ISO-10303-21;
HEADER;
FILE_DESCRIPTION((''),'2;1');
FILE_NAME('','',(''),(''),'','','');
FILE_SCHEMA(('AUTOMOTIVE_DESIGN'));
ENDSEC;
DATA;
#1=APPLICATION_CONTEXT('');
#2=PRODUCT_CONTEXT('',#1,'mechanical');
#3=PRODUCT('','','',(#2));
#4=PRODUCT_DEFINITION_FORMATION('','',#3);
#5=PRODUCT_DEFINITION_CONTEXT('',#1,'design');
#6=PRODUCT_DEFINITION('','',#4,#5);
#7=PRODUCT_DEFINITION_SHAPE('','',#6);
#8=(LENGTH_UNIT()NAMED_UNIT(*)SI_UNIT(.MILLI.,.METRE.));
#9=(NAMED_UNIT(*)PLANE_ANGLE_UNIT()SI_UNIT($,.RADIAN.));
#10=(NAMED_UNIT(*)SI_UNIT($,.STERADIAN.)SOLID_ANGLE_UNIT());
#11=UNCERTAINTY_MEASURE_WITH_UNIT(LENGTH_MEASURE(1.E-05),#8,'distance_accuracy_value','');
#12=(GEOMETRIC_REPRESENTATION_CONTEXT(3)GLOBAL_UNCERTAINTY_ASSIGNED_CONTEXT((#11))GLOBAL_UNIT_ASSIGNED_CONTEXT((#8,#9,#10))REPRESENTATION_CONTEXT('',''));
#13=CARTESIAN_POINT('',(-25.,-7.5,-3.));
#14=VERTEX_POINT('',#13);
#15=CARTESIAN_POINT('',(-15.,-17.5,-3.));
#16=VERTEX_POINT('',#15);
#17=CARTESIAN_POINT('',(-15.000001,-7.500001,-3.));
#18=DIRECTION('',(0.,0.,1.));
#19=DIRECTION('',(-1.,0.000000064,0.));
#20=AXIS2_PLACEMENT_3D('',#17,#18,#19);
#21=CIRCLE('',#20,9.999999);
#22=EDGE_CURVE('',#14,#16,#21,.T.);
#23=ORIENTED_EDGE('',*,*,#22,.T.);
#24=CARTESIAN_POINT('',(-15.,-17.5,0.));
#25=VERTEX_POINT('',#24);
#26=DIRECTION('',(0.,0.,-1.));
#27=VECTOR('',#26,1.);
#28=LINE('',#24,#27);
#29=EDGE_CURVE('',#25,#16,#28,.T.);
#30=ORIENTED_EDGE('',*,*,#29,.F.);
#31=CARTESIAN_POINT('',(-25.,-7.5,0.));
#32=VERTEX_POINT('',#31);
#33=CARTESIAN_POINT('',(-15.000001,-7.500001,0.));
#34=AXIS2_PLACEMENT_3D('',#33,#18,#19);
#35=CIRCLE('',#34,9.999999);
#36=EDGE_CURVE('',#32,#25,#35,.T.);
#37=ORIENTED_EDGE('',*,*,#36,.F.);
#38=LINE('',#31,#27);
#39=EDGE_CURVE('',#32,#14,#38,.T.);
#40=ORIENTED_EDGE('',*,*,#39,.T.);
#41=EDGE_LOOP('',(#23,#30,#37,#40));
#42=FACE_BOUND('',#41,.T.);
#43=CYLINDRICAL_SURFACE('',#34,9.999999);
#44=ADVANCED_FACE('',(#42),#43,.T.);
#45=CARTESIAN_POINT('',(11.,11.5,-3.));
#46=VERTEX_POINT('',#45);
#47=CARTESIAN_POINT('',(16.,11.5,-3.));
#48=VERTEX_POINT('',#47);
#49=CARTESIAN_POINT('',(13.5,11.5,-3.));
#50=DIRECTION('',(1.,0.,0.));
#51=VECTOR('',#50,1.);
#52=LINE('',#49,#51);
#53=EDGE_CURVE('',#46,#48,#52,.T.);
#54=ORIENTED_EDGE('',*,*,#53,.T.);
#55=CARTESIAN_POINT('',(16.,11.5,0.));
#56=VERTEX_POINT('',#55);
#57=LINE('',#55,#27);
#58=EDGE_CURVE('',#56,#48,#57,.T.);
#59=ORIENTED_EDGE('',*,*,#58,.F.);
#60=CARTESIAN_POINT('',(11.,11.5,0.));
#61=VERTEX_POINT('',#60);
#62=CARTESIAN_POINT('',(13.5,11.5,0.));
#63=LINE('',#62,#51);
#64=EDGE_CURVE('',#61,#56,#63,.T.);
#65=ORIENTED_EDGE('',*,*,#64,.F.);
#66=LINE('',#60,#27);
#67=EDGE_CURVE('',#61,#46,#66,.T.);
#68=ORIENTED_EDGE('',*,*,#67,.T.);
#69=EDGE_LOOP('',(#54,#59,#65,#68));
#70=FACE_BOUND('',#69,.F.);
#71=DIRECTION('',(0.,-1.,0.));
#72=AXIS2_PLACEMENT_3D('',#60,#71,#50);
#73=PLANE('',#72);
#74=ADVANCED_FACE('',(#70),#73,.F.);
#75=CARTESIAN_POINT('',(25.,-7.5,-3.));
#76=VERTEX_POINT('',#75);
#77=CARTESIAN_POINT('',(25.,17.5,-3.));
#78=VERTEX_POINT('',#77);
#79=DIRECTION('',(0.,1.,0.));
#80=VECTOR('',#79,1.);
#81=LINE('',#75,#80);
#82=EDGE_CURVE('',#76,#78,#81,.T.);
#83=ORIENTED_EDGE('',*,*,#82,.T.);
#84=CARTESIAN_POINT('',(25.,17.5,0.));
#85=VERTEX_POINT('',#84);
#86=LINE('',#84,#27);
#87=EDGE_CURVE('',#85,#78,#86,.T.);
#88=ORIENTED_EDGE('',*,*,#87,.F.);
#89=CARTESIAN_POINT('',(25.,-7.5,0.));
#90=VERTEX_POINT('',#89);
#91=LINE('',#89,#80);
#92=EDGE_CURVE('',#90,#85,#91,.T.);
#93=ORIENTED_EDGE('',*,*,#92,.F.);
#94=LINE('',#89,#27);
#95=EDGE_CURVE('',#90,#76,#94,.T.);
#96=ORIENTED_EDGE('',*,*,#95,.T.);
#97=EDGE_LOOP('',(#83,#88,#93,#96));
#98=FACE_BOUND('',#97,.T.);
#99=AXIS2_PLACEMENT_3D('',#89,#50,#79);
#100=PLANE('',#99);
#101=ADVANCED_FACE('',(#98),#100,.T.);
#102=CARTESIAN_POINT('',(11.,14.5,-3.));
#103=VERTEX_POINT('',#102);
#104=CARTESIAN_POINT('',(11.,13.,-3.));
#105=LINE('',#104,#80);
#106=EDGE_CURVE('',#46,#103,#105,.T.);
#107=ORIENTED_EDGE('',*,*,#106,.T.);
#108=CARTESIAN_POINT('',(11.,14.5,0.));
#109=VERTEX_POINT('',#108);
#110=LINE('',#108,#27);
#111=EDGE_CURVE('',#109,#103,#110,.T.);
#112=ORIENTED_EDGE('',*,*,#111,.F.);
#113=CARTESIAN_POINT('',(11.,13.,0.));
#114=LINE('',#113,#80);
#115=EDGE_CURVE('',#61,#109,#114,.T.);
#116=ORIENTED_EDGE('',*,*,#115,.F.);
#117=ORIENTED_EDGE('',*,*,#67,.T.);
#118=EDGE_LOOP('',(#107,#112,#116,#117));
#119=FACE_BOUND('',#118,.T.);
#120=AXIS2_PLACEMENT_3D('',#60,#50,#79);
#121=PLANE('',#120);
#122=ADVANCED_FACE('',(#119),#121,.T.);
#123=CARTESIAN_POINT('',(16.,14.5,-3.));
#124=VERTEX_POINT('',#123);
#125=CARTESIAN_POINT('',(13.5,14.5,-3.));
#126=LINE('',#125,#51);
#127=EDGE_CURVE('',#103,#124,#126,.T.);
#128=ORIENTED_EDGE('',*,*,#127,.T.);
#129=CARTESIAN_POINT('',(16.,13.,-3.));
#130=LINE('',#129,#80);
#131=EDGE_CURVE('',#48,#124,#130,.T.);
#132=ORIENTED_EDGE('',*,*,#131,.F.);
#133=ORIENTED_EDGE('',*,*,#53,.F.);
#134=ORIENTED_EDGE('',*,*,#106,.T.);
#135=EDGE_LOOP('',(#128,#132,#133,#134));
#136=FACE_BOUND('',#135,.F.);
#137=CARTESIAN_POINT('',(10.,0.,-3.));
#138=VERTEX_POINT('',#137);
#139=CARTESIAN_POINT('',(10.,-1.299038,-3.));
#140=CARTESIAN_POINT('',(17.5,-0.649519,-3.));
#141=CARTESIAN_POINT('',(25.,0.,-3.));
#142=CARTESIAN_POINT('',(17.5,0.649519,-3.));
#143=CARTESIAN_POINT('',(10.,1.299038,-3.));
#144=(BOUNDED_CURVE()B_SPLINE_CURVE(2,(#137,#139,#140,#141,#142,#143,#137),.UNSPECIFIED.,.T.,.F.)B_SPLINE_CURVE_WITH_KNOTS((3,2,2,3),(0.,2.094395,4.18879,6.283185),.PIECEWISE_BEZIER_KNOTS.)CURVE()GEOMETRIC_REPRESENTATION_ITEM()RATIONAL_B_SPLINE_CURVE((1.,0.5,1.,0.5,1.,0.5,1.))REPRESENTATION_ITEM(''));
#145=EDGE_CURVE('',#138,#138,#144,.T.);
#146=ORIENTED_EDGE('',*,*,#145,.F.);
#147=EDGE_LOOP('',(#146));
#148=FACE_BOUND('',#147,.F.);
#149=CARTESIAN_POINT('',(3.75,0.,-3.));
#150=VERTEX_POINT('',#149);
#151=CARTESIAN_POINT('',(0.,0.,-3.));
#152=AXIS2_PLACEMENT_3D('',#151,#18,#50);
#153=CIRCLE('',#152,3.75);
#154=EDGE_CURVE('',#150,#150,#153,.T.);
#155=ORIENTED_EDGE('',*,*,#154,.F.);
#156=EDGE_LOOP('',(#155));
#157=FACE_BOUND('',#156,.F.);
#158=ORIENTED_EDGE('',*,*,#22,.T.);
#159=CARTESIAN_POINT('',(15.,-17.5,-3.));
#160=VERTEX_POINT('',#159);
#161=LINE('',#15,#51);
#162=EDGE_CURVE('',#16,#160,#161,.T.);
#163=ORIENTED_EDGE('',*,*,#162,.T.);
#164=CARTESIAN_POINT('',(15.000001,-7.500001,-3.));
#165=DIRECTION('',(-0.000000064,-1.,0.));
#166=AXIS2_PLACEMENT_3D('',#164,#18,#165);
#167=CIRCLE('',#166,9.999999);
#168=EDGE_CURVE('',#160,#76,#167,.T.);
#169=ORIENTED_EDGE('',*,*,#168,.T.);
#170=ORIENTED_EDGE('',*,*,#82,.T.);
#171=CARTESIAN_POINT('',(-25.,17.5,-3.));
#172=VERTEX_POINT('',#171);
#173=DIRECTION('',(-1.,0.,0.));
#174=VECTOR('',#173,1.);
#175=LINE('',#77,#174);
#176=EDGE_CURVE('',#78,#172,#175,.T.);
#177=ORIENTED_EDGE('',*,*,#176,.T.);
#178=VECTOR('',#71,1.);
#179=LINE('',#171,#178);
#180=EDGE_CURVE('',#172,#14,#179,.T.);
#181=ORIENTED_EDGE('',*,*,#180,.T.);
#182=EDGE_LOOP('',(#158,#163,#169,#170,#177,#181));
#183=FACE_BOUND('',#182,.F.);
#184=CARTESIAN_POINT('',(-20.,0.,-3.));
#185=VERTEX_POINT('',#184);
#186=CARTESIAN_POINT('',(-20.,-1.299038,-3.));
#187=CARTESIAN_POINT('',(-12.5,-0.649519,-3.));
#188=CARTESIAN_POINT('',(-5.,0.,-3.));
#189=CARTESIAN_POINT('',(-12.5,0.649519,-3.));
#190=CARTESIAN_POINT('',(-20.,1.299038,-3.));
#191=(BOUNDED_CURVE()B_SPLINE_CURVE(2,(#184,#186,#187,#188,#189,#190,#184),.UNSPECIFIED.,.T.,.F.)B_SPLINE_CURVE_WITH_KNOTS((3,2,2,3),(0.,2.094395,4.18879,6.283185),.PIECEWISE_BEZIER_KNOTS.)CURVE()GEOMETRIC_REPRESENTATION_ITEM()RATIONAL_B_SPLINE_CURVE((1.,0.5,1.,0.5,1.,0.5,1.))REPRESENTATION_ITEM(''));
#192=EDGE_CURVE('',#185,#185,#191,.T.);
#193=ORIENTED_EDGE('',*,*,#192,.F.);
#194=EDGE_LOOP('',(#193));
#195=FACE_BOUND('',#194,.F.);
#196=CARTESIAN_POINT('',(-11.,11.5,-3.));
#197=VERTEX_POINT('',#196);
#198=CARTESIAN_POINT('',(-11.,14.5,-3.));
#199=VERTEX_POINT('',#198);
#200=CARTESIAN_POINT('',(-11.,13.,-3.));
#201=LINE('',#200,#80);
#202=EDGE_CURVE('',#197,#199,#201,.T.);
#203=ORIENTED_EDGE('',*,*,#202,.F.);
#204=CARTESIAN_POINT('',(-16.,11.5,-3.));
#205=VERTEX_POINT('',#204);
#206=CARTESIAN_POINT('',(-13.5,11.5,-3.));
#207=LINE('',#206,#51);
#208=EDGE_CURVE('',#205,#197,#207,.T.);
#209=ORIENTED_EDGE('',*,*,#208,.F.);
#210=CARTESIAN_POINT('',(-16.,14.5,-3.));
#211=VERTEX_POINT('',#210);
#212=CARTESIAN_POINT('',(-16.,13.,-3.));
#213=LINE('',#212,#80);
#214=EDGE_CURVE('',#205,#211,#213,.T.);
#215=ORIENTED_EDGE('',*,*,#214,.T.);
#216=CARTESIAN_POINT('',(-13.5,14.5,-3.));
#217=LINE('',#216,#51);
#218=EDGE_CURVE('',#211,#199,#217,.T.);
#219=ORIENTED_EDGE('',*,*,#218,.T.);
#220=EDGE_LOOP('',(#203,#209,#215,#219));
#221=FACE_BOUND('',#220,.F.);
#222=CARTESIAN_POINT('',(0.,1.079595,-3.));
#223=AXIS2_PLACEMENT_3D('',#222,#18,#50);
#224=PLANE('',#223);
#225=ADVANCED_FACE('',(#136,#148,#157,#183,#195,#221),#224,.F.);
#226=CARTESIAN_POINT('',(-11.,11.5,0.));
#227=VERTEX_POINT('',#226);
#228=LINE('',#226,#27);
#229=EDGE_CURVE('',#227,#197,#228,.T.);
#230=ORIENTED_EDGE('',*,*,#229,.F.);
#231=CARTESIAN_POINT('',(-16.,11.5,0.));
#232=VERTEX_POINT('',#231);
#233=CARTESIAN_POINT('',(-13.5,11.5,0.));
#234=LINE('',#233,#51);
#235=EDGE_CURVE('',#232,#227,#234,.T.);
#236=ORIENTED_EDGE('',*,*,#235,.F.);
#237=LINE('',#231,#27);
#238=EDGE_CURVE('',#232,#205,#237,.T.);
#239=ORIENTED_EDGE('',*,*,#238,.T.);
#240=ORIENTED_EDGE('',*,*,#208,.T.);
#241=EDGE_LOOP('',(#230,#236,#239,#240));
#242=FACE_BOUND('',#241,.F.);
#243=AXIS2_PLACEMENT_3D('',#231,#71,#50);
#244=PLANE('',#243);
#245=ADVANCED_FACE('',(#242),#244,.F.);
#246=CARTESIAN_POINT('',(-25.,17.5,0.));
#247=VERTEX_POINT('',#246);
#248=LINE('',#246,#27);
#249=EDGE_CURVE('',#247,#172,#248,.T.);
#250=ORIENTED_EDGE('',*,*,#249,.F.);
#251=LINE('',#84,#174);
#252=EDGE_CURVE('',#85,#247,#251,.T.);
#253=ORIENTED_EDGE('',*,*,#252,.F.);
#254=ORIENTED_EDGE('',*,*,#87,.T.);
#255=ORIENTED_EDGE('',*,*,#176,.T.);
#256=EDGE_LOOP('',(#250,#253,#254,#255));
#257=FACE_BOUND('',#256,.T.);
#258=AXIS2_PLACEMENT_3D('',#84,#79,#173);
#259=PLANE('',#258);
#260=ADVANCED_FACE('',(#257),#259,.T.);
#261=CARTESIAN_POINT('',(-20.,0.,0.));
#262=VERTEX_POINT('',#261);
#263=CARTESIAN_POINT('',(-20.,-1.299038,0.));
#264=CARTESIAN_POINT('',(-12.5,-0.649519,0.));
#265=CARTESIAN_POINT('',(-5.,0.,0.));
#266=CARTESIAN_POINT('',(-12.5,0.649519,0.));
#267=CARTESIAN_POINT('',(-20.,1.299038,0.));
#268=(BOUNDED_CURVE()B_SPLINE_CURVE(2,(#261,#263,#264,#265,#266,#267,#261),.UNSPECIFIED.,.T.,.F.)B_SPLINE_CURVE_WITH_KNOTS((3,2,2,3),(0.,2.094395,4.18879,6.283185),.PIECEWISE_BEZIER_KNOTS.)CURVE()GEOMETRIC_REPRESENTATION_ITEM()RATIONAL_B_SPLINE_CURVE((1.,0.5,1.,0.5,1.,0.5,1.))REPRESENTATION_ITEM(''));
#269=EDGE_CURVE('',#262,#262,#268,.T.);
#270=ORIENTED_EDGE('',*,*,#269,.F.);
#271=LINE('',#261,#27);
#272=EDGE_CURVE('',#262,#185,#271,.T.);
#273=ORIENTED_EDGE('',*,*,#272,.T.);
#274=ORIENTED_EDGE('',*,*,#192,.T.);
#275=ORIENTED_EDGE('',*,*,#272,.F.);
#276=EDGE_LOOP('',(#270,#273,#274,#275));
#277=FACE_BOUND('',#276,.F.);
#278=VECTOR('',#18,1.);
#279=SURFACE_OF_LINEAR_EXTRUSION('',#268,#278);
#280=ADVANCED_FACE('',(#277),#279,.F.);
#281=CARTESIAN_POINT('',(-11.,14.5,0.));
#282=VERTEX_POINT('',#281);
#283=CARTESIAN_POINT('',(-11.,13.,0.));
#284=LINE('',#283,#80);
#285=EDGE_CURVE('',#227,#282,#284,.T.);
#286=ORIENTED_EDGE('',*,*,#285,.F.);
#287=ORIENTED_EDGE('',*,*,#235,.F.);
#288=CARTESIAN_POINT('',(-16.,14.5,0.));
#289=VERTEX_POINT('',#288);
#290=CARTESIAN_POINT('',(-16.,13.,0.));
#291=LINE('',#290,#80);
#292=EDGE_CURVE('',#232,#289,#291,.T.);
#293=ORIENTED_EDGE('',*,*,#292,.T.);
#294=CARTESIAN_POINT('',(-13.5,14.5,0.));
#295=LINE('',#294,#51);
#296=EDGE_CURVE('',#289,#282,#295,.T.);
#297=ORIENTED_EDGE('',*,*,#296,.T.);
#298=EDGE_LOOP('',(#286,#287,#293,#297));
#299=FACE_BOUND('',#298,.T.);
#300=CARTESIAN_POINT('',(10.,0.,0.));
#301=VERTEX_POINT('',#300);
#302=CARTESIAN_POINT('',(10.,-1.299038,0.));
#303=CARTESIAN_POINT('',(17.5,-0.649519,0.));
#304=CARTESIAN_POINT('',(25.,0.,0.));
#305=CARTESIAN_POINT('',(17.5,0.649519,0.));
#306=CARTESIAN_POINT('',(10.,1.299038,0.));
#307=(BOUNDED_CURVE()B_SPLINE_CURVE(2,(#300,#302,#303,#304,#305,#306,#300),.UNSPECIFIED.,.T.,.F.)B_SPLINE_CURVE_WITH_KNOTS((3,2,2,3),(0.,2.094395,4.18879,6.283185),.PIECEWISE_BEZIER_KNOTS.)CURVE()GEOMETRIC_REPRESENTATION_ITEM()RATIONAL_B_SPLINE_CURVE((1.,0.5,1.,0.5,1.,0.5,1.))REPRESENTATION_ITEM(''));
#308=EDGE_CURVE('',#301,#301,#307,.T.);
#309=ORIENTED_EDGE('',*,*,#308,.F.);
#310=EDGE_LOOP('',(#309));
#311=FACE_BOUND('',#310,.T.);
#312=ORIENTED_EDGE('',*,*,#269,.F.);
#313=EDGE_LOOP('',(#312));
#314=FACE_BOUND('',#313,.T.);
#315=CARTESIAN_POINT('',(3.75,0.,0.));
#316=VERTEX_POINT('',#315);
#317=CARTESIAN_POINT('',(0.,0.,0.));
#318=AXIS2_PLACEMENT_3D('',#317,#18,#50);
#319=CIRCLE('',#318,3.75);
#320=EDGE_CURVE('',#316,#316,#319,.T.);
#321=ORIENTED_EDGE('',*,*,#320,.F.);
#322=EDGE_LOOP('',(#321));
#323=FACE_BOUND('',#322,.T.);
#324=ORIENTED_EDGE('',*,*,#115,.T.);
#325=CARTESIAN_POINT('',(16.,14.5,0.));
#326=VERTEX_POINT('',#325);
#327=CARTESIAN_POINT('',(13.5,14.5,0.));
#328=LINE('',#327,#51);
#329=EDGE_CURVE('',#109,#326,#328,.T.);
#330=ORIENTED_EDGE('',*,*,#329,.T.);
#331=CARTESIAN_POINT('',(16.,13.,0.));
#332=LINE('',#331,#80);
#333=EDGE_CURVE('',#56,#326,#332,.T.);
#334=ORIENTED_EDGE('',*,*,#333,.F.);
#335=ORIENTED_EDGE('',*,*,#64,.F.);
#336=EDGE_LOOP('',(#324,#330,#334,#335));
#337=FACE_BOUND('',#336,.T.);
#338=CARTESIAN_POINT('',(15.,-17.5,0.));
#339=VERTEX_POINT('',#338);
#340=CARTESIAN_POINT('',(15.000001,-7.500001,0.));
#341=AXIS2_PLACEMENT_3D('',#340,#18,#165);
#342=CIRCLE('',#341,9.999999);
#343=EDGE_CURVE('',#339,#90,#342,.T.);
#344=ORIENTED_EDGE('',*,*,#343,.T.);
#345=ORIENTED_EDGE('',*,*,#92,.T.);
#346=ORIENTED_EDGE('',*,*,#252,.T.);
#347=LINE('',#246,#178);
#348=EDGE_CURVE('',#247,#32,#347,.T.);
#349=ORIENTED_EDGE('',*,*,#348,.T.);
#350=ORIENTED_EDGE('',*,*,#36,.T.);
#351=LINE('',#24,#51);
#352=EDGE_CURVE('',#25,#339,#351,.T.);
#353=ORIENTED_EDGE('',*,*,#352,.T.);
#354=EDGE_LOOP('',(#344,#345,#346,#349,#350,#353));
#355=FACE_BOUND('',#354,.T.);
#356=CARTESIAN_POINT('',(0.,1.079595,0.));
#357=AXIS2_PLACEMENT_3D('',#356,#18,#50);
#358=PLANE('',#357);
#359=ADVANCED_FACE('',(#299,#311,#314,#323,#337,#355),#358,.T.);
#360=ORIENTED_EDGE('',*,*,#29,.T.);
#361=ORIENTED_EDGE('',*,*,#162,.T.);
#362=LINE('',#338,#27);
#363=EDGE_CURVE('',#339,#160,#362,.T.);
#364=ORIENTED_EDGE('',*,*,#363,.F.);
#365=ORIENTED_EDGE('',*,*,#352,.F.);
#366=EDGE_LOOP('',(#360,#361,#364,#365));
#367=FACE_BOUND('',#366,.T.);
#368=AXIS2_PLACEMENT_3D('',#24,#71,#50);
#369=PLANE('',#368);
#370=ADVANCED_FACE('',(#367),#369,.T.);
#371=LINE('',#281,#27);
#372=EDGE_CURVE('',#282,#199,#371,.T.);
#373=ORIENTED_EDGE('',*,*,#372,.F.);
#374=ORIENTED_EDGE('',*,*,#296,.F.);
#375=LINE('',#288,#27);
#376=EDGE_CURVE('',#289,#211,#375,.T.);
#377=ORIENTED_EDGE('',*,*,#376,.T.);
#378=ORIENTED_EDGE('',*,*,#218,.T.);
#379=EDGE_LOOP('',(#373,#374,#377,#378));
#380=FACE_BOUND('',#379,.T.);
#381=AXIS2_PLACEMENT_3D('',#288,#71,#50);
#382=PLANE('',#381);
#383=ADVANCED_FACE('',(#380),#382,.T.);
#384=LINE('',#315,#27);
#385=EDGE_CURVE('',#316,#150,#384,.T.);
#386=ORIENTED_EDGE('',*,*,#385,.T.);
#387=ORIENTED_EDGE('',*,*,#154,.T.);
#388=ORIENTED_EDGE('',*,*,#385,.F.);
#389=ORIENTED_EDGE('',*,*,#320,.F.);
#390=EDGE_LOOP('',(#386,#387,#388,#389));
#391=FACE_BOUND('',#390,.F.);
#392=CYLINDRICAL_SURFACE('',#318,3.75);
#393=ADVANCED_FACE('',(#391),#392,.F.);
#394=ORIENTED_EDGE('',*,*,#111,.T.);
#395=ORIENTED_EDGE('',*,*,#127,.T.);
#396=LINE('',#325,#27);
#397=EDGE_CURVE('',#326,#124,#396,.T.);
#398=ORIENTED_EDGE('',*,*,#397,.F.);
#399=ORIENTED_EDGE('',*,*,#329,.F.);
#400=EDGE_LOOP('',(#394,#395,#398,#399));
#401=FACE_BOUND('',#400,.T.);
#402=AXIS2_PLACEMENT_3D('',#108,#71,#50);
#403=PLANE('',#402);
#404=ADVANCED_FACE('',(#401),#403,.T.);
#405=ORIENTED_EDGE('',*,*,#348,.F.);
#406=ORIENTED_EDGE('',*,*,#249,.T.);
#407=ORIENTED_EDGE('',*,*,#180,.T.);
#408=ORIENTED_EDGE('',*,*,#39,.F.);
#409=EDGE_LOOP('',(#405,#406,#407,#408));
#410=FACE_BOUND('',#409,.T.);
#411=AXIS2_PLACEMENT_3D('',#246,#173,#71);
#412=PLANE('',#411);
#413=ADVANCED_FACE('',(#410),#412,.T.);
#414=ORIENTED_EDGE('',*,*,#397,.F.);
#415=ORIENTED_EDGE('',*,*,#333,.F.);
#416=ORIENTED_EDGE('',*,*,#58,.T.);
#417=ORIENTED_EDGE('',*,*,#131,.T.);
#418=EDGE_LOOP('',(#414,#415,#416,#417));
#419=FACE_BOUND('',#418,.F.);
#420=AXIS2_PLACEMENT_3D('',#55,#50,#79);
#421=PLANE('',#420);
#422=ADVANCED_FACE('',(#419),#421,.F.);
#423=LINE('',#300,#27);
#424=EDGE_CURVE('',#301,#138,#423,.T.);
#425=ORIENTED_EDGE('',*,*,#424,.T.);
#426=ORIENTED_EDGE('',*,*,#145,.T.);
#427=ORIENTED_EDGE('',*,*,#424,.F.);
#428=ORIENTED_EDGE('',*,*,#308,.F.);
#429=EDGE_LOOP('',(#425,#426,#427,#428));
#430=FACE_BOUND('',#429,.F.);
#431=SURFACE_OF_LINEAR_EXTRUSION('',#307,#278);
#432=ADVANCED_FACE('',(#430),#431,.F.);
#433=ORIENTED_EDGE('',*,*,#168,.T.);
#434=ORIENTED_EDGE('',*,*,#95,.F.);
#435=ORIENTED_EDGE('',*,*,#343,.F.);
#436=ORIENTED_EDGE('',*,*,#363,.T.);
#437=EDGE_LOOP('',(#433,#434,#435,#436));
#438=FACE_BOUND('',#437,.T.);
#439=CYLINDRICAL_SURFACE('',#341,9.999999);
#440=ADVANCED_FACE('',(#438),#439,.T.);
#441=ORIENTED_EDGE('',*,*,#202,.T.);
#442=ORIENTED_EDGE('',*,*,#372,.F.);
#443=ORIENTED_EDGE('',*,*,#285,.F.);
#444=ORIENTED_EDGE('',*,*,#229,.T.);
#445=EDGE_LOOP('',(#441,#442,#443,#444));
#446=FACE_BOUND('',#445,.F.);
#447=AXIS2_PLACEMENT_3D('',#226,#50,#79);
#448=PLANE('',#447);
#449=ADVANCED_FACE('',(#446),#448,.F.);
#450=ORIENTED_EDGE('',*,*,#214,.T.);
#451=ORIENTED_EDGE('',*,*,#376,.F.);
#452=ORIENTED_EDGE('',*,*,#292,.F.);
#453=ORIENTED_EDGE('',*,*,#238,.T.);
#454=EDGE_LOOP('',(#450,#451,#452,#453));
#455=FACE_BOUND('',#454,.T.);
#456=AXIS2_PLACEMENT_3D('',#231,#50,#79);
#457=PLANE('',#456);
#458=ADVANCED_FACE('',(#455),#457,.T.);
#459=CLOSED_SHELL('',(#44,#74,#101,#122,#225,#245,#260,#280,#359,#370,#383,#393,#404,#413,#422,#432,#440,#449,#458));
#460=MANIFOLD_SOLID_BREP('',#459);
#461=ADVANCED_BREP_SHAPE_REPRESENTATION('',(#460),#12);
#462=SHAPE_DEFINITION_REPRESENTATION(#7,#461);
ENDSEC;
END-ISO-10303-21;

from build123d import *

# Parameters (mm, degrees)
F0_W     = 5
F0_H     = 3
F0_R     = 3.75
F1_DEPTH = 3


with BuildPart() as f1:
    # F0 (on Top) → F1 (new body)
    with BuildSketch(Plane.XY):
        with BuildLine():
            Line((25, 17.5), (-25, 17.5))
            Line((-25, 17.5), (-25, -7.5))
            ThreePointArc((-25, -7.5), (-22.071068, -14.571068), (-15, -17.5))
            Line((-15, -17.5), (15, -17.5))
            ThreePointArc((15, -17.5), (22.071068, -14.571068), (25, -7.5))
            Line((25, -7.5), (25, 17.5))
        make_face()
        with BuildLine():
            add(Edge.make_bspline(
                [(-20, 0), (-20, -1.299038), (-12.5, -0.649519), (-5, 0), (-12.5, 0.649519), (-20, 1.299038), (-20, 0)],
                knots=[0, 0, 0, 2.094395, 2.094395, 4.18879, 4.18879, 6.283185, 6.283185, 6.283185], degree=2, weights=[1, 0.5, 1, 0.5, 1, 0.5, 1]))
        make_face(mode=Mode.SUBTRACT)
        with Locations((-13.5, 13)):
            Rectangle(F0_W, F0_H, mode=Mode.SUBTRACT)
        Circle(F0_R, mode=Mode.SUBTRACT)
        with BuildLine():
            add(Edge.make_bspline(
                [(10, 0), (10, -1.299038), (17.5, -0.649519), (25, 0), (17.5, 0.649519), (10, 1.299038), (10, 0)],
                knots=[0, 0, 0, 2.094395, 2.094395, 4.18879, 4.18879, 6.283185, 6.283185, 6.283185], degree=2, weights=[1, 0.5, 1, 0.5, 1, 0.5, 1]))
        make_face(mode=Mode.SUBTRACT)
        with Locations((13.5, 13)):
            Rectangle(F0_W, F0_H, mode=Mode.SUBTRACT)
    extrude(amount=-F1_DEPTH)


solid = f1.part
